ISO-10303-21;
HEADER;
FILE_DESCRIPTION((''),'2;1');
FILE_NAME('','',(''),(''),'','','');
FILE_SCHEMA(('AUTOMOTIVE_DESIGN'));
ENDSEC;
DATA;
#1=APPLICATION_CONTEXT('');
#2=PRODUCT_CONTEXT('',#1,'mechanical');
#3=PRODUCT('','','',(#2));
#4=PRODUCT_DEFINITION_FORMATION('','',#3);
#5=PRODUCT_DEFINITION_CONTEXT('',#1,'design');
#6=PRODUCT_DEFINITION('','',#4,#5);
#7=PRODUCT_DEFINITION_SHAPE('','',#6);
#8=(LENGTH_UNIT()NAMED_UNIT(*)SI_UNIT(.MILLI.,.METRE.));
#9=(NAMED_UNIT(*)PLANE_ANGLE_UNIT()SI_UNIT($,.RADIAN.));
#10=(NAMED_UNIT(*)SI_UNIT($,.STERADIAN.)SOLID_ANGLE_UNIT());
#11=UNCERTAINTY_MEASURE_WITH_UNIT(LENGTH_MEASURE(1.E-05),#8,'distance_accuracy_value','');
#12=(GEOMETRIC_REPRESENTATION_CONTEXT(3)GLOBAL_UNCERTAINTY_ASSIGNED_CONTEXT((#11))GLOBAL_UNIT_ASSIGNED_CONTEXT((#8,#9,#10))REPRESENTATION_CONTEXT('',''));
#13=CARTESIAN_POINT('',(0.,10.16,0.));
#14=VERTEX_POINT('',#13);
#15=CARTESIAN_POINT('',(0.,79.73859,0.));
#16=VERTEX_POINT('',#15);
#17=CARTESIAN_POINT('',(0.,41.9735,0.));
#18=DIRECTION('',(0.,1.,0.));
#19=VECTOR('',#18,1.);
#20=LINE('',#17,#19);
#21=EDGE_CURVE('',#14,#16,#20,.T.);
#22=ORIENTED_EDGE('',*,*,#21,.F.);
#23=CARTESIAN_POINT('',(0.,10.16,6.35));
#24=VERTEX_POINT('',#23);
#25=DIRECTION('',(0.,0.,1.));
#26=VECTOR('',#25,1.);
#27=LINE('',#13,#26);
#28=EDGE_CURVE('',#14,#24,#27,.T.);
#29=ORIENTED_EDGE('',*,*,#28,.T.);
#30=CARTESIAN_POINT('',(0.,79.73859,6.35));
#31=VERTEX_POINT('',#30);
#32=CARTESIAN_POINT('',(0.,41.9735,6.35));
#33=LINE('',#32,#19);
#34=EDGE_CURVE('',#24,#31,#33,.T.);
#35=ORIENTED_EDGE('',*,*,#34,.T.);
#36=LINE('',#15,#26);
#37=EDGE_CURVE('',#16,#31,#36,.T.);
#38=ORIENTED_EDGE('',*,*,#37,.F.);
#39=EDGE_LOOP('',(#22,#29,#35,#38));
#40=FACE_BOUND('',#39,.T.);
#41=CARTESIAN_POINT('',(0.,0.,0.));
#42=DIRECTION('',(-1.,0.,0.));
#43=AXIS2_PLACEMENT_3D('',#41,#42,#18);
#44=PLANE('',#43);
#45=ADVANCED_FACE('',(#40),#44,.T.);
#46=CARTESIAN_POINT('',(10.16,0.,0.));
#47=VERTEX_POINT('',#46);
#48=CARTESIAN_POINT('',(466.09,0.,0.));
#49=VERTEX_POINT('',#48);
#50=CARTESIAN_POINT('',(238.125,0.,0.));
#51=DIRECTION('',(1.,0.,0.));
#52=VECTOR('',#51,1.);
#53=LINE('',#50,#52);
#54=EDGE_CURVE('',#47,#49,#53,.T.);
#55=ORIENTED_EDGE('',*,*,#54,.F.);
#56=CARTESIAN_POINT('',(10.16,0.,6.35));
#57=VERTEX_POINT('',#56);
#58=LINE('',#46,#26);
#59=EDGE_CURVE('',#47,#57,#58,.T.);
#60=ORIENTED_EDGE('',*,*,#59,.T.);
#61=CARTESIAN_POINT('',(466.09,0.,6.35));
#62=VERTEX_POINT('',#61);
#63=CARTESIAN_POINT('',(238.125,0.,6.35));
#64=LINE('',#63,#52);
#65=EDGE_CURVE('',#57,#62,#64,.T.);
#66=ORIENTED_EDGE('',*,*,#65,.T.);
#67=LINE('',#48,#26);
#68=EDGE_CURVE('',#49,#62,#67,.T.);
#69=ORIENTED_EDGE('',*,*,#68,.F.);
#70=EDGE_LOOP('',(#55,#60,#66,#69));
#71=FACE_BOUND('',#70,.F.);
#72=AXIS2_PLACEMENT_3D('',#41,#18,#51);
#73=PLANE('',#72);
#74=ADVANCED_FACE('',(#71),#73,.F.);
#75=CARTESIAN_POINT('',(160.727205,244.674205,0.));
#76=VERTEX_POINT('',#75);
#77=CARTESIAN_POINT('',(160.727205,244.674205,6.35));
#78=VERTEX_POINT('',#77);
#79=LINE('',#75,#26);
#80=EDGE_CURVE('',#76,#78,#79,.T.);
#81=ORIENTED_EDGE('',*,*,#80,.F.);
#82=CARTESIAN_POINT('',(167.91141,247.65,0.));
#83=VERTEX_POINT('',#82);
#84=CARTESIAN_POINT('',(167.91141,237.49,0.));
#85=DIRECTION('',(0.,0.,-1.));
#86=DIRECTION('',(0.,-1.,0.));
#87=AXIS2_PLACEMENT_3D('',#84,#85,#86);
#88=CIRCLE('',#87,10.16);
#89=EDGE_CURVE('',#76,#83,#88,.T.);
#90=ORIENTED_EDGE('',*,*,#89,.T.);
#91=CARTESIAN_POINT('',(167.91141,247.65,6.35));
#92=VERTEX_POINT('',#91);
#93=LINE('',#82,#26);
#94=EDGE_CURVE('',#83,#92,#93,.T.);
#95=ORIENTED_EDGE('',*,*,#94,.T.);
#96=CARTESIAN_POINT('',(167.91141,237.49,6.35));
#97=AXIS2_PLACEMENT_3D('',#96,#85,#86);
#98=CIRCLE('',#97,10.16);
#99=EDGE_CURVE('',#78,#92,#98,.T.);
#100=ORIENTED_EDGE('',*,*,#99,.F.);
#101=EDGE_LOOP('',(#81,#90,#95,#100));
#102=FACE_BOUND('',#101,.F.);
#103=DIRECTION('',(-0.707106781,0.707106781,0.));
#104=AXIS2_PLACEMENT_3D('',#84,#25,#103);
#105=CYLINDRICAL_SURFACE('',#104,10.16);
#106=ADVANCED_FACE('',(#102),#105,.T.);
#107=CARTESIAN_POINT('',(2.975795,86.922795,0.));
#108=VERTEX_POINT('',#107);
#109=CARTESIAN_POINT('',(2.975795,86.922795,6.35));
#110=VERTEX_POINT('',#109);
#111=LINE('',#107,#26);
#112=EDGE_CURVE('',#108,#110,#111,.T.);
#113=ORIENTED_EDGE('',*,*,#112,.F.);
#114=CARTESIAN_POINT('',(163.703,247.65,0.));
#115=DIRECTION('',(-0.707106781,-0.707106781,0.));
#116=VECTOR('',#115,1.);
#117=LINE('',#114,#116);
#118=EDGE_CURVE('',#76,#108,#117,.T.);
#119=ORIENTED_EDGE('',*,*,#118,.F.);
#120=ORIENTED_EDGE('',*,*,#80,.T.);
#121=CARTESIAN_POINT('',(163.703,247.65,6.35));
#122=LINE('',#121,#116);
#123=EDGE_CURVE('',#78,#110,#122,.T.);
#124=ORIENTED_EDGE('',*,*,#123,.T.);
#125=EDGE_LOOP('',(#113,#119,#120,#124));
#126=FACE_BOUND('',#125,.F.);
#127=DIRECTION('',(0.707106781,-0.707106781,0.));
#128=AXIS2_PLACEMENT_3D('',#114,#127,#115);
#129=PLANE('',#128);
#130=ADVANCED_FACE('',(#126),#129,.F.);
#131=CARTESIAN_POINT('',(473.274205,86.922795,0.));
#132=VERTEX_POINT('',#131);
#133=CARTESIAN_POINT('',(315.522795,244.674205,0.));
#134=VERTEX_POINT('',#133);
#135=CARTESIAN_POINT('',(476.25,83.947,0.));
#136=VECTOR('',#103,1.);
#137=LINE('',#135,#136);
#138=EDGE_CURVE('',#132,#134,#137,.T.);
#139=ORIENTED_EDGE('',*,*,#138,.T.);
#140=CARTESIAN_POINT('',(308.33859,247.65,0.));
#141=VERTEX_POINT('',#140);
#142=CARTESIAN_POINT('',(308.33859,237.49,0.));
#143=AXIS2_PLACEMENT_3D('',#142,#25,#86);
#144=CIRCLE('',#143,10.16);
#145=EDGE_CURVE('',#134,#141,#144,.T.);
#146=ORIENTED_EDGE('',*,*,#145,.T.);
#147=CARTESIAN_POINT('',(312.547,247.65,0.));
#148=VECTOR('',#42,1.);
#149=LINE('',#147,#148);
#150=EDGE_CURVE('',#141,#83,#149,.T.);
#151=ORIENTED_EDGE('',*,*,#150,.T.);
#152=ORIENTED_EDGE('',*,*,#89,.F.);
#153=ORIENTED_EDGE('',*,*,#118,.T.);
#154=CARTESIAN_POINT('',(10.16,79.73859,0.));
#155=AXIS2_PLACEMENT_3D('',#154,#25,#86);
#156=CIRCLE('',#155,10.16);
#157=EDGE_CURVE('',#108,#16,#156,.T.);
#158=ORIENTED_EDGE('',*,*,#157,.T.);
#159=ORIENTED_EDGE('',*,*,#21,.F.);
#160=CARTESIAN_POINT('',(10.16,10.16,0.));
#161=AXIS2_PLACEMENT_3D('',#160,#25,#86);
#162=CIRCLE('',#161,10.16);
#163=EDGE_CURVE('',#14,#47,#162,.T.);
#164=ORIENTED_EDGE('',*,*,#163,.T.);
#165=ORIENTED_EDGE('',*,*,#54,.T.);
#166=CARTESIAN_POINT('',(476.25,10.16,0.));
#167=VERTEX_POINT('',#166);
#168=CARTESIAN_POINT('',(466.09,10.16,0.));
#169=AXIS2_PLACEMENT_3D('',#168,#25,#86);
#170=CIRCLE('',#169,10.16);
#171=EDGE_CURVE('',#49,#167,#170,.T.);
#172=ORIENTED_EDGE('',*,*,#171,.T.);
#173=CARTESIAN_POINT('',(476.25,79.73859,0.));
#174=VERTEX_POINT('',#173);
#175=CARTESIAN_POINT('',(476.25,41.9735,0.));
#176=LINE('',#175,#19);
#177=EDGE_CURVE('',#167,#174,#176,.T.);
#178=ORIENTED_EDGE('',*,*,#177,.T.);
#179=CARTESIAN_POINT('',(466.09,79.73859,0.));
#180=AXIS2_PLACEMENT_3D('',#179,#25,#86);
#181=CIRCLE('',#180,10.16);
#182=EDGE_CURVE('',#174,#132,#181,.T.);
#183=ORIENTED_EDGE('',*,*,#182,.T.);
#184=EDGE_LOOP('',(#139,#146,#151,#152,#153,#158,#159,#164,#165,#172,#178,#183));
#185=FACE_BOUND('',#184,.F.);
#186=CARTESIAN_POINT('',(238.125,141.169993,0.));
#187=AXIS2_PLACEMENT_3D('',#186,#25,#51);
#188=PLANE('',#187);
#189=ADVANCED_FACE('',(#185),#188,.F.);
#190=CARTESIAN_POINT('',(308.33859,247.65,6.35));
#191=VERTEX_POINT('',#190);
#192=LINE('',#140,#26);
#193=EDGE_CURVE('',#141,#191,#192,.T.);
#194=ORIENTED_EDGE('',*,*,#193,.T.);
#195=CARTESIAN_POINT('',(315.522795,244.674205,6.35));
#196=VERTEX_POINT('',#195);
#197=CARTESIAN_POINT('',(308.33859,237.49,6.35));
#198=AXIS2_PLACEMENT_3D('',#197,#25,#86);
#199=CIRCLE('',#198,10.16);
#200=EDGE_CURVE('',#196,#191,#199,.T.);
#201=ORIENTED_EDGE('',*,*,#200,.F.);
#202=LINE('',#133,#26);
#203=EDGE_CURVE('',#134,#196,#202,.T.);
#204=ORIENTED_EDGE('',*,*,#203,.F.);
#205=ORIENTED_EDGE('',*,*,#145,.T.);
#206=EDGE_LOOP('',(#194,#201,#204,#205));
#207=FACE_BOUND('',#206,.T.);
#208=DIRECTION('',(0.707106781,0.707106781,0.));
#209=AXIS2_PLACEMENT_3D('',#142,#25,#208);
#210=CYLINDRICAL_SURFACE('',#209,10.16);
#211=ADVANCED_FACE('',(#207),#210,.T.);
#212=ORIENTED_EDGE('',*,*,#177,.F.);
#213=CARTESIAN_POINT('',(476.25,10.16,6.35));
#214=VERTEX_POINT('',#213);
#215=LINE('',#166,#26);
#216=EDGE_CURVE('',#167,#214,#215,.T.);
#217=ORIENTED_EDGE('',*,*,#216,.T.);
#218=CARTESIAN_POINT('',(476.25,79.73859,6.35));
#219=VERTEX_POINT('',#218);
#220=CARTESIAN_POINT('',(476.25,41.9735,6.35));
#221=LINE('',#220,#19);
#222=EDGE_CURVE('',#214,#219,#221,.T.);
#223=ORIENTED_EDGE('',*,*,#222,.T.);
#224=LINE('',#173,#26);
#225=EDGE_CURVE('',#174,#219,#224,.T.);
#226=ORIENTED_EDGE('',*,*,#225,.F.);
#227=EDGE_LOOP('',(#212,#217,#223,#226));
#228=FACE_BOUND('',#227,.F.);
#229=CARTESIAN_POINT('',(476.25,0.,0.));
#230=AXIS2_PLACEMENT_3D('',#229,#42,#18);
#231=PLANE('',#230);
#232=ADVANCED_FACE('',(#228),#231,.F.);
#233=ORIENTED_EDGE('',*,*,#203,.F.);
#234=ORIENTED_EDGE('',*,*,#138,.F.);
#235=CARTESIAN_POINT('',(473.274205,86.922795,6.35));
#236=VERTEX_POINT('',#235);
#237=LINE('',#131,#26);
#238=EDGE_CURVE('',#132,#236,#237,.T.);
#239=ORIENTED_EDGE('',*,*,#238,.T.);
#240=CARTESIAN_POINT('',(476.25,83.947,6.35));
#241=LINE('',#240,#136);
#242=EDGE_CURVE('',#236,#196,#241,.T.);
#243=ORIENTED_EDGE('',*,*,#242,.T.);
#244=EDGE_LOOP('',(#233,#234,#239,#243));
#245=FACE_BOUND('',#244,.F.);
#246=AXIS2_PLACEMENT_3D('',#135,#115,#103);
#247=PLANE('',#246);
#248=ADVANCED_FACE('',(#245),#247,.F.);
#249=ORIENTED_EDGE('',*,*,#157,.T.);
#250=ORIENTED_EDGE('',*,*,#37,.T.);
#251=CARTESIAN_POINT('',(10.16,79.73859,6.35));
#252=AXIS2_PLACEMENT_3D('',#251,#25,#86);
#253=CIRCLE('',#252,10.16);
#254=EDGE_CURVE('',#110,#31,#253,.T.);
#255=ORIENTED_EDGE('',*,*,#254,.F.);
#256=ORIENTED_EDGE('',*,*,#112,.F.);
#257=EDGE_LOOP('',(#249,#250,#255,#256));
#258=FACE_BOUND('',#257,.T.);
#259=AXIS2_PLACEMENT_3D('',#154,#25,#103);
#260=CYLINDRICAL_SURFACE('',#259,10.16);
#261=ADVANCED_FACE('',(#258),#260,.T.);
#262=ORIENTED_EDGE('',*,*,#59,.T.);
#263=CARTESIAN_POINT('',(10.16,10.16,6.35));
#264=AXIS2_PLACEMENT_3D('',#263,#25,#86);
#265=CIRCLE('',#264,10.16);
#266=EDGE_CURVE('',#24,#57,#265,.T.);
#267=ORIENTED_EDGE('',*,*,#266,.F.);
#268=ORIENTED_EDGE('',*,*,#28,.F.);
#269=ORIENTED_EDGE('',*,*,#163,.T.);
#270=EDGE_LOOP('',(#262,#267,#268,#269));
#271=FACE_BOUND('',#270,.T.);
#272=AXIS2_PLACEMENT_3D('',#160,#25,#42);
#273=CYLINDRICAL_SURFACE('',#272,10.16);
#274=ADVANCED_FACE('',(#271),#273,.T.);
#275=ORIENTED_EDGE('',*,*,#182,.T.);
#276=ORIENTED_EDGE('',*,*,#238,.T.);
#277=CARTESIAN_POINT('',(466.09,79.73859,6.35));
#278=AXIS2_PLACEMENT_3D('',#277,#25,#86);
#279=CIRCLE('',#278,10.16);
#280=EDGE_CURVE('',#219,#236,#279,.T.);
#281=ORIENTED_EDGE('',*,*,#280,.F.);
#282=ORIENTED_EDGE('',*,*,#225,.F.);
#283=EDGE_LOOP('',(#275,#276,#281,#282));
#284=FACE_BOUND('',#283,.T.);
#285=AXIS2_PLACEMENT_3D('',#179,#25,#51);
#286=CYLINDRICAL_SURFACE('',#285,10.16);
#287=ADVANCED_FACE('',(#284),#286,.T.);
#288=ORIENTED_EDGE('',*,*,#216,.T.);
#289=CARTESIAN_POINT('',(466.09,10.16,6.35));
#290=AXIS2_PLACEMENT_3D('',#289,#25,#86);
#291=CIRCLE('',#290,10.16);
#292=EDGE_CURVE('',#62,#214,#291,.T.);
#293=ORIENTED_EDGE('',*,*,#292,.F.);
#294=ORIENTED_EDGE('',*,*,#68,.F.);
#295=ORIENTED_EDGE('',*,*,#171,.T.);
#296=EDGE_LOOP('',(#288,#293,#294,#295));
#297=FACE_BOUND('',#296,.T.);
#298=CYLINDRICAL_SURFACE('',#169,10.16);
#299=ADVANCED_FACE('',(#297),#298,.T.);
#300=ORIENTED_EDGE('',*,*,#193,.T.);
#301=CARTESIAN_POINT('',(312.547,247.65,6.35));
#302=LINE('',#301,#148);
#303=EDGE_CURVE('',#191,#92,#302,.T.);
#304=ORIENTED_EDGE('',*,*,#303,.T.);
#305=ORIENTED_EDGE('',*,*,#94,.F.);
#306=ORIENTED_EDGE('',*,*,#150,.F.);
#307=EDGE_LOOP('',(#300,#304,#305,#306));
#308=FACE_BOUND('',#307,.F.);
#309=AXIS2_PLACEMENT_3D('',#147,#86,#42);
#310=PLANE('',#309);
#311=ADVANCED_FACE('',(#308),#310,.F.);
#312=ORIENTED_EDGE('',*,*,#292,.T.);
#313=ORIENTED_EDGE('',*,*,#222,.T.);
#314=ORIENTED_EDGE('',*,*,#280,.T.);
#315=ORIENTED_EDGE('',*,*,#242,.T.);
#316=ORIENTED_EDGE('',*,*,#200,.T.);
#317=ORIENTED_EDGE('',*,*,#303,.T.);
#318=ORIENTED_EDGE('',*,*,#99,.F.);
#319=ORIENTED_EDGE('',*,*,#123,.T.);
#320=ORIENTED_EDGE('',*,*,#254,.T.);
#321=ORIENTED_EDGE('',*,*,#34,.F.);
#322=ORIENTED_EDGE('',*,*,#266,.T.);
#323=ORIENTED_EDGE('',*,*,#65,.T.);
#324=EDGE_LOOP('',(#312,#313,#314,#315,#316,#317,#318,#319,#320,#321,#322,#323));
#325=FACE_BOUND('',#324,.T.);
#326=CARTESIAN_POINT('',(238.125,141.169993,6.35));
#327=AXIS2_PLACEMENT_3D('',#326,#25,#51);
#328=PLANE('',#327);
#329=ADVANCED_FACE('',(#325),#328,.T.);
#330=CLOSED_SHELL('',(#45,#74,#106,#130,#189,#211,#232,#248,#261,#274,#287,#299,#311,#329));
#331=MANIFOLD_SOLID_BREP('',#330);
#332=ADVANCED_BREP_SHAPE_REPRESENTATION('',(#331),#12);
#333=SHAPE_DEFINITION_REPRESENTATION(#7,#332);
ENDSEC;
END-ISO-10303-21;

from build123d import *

# Parameters (mm, degrees)
F0_W     = 476.25
F0_H     = 83.947
F1_DEPTH = 6.35
F2_R     = 10.16


with BuildPart() as f1:
    # F0 (on Top) → F1 (new body)
    with BuildSketch(Plane.XY):
        Polygon((163.703, 247.65), (0, 83.947), (476.25, 83.947), (312.547, 247.65), align=None)
        with Locations((238.125, 41.9735)):
            Rectangle(F0_W, F0_H)
    extrude(amount=F1_DEPTH)

    # F2
    f2_edges = [f1.edges().sort_by_distance(p)[0] for p in [
        (163.703, 247.65, 3.175),
        (312.547, 247.65, 3.175),
        (476.25, 83.947, 3.175),
        (476.25, 0, 3.175),
        (0, 0, 3.175),
        (0, 83.947, 3.175),
    ]]
    fillet(f2_edges, radius=F2_R)


solid = f1.part
